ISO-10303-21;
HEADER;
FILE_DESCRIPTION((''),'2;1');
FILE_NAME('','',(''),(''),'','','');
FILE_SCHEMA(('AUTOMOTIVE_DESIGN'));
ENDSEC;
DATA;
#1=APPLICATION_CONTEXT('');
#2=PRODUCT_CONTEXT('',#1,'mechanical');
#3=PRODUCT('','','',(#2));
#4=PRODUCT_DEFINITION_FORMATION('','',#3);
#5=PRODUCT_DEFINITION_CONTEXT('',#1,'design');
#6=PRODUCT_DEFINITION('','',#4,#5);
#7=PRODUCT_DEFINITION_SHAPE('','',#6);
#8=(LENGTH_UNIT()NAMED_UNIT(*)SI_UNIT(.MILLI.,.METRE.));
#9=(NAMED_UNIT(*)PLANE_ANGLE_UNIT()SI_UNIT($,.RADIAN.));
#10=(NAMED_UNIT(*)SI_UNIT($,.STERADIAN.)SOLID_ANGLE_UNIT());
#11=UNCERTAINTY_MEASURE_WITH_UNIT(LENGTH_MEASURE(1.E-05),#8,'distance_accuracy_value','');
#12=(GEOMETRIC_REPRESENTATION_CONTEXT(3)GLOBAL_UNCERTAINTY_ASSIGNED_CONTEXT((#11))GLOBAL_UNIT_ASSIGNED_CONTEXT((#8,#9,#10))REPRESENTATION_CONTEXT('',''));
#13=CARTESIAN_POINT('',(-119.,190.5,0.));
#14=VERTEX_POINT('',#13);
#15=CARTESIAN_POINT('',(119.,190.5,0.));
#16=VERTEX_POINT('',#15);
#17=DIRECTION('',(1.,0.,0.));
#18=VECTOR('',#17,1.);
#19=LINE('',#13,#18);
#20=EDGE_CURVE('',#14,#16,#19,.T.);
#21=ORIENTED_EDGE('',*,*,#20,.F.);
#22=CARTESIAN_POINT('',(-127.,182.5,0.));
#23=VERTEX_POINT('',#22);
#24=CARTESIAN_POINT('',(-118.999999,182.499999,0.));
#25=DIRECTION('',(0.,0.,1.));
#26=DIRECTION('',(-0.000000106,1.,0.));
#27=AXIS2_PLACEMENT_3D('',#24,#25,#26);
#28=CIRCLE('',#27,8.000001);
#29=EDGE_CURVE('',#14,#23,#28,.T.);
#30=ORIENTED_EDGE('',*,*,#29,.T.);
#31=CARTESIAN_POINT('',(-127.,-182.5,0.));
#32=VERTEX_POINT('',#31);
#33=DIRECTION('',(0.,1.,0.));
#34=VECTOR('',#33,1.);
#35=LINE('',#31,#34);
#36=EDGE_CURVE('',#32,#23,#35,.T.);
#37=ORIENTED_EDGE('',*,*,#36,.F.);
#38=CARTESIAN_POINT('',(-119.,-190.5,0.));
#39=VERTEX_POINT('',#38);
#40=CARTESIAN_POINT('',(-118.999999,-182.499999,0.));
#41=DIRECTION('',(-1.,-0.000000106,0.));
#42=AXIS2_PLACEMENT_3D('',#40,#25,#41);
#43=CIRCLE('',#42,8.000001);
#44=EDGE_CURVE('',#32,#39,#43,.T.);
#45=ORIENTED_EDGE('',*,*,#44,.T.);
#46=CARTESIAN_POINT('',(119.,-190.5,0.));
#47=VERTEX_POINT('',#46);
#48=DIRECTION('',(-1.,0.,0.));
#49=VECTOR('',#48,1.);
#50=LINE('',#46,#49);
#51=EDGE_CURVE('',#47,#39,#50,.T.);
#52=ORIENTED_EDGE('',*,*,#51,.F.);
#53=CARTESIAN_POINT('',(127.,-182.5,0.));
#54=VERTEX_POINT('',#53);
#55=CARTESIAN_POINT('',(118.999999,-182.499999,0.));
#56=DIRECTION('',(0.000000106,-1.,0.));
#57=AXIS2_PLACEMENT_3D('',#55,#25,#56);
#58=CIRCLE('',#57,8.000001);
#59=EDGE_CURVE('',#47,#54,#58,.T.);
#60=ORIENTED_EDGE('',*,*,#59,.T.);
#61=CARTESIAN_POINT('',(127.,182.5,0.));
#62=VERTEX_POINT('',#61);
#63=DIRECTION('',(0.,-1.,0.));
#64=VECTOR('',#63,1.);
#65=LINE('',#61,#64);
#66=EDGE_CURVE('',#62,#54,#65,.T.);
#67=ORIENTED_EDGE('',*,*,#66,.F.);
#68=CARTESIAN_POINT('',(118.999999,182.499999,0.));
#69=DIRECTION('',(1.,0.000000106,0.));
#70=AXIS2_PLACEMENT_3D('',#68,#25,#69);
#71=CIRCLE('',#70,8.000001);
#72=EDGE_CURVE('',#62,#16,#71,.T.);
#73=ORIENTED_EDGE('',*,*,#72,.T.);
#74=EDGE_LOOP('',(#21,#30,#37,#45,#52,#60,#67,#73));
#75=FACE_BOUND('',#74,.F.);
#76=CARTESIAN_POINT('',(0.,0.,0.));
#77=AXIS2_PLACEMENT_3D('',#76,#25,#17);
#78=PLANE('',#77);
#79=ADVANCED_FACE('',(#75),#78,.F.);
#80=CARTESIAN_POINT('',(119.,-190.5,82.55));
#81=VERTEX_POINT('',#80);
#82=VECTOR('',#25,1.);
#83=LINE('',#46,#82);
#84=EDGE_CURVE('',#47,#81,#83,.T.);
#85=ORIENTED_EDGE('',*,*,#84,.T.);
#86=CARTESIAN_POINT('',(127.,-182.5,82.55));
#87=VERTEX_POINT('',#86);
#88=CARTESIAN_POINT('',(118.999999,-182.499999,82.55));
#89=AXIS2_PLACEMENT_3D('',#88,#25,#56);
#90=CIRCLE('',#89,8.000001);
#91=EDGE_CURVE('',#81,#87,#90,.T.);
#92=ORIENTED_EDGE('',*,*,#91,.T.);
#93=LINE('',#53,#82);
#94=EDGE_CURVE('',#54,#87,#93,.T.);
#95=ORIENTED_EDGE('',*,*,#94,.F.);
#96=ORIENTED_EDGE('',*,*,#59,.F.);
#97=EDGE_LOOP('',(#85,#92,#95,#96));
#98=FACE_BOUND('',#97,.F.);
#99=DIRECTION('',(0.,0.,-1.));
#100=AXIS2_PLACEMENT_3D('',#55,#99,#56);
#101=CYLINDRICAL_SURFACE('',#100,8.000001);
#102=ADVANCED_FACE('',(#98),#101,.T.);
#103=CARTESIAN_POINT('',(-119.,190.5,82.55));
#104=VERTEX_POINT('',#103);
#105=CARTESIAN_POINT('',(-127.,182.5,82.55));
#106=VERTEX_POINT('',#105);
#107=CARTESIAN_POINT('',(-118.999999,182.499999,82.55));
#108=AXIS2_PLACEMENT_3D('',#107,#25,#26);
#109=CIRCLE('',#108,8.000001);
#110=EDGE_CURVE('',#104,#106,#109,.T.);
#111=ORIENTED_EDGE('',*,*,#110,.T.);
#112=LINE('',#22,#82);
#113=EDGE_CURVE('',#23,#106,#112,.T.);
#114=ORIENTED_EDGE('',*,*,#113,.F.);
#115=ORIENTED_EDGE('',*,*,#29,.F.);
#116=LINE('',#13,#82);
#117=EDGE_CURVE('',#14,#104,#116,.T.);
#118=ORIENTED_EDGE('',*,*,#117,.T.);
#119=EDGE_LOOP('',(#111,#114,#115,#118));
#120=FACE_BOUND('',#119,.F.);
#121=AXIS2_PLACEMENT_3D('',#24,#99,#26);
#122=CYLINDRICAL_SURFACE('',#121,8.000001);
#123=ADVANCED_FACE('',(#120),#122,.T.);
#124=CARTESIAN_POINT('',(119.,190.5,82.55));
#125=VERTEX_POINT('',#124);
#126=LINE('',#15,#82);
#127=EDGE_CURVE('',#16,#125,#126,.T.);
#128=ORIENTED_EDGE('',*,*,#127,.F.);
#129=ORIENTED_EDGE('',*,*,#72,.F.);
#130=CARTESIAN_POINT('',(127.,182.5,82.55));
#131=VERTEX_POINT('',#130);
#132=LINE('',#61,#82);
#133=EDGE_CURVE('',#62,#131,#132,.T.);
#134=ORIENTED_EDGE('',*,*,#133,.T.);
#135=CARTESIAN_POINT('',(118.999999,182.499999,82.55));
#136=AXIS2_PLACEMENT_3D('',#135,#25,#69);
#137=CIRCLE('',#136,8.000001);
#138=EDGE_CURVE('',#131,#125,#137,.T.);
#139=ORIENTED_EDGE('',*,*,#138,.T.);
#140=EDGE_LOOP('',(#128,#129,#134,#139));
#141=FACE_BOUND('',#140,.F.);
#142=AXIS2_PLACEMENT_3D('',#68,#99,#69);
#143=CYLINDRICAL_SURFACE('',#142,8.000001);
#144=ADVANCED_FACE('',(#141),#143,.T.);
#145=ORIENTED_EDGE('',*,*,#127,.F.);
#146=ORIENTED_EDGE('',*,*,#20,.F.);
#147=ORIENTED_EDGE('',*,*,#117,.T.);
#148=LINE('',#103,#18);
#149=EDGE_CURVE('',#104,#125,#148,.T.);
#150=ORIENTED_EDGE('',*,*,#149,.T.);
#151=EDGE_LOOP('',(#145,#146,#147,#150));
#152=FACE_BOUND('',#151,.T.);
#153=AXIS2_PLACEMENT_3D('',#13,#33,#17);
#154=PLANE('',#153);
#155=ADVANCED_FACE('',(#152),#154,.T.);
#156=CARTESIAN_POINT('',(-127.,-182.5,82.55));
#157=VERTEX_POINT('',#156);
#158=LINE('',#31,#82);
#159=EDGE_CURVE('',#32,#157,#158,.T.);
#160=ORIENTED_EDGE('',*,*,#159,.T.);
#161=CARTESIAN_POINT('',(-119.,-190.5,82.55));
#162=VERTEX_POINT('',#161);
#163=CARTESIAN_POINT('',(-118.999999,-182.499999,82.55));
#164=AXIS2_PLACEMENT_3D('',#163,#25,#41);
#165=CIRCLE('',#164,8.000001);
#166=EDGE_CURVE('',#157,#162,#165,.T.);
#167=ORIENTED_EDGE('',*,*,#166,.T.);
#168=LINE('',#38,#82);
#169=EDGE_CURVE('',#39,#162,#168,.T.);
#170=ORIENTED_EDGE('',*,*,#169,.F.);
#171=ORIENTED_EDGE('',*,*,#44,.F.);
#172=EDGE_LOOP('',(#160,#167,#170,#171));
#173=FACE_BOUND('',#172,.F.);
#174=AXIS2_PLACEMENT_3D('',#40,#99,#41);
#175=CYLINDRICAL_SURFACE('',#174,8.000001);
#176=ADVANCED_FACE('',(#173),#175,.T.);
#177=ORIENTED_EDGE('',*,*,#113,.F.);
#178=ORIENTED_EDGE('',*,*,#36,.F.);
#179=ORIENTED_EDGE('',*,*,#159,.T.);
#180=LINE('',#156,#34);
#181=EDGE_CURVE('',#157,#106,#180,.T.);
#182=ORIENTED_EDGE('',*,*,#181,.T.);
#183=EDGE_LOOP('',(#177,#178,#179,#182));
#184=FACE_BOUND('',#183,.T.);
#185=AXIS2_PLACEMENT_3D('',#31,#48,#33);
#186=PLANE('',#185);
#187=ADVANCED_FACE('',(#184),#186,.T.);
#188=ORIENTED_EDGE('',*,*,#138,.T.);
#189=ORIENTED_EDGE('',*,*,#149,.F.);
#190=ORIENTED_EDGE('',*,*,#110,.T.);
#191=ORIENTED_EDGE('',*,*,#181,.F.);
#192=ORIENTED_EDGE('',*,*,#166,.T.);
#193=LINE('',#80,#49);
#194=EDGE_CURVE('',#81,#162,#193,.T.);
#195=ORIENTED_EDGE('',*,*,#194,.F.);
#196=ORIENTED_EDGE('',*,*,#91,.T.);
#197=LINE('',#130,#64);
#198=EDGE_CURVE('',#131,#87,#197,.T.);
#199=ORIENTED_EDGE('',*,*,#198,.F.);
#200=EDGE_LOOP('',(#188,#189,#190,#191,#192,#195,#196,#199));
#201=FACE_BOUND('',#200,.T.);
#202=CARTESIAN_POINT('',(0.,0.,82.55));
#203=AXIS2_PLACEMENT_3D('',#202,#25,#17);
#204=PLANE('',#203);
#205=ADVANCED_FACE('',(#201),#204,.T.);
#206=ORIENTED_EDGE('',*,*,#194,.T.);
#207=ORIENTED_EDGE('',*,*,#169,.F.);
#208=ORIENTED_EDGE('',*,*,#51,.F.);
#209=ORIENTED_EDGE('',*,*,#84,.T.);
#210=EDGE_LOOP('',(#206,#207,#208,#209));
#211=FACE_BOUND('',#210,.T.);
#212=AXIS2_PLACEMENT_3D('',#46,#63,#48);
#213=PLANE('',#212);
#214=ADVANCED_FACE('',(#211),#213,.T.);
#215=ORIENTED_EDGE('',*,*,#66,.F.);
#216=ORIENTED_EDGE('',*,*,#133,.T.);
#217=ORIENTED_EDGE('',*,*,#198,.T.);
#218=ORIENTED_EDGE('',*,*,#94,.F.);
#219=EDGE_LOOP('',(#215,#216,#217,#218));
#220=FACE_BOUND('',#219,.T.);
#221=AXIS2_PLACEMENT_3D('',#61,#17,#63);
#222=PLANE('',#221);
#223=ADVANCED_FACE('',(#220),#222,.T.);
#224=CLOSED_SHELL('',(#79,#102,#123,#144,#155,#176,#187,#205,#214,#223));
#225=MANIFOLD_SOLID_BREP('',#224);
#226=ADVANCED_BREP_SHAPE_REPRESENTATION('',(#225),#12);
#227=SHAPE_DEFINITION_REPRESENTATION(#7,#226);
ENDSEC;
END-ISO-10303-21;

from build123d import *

# Parameters (mm, degrees)
PAD_DEPTH = 82.55


with BuildPart() as part:
    # Sketch → Pad (new body)
    with BuildSketch(Plane.XY):
        with BuildLine():
            ThreePointArc((-119, 190.5), (-124.656854, 188.156854), (-127, 182.5))
            Line((-127, -182.5), (-127, 182.5))
            ThreePointArc((-127, -182.5), (-124.656854, -188.156854), (-119, -190.5))
            Line((119, -190.5), (-119, -190.5))
            ThreePointArc((119, -190.5), (124.656854, -188.156854), (127, -182.5))
            Line((127, 182.5), (127, -182.5))
            ThreePointArc((127, 182.5), (124.656854, 188.156854), (119, 190.5))
            Line((-119, 190.5), (119, 190.5))
        make_face()
    extrude(amount=PAD_DEPTH)


solid = part.part
